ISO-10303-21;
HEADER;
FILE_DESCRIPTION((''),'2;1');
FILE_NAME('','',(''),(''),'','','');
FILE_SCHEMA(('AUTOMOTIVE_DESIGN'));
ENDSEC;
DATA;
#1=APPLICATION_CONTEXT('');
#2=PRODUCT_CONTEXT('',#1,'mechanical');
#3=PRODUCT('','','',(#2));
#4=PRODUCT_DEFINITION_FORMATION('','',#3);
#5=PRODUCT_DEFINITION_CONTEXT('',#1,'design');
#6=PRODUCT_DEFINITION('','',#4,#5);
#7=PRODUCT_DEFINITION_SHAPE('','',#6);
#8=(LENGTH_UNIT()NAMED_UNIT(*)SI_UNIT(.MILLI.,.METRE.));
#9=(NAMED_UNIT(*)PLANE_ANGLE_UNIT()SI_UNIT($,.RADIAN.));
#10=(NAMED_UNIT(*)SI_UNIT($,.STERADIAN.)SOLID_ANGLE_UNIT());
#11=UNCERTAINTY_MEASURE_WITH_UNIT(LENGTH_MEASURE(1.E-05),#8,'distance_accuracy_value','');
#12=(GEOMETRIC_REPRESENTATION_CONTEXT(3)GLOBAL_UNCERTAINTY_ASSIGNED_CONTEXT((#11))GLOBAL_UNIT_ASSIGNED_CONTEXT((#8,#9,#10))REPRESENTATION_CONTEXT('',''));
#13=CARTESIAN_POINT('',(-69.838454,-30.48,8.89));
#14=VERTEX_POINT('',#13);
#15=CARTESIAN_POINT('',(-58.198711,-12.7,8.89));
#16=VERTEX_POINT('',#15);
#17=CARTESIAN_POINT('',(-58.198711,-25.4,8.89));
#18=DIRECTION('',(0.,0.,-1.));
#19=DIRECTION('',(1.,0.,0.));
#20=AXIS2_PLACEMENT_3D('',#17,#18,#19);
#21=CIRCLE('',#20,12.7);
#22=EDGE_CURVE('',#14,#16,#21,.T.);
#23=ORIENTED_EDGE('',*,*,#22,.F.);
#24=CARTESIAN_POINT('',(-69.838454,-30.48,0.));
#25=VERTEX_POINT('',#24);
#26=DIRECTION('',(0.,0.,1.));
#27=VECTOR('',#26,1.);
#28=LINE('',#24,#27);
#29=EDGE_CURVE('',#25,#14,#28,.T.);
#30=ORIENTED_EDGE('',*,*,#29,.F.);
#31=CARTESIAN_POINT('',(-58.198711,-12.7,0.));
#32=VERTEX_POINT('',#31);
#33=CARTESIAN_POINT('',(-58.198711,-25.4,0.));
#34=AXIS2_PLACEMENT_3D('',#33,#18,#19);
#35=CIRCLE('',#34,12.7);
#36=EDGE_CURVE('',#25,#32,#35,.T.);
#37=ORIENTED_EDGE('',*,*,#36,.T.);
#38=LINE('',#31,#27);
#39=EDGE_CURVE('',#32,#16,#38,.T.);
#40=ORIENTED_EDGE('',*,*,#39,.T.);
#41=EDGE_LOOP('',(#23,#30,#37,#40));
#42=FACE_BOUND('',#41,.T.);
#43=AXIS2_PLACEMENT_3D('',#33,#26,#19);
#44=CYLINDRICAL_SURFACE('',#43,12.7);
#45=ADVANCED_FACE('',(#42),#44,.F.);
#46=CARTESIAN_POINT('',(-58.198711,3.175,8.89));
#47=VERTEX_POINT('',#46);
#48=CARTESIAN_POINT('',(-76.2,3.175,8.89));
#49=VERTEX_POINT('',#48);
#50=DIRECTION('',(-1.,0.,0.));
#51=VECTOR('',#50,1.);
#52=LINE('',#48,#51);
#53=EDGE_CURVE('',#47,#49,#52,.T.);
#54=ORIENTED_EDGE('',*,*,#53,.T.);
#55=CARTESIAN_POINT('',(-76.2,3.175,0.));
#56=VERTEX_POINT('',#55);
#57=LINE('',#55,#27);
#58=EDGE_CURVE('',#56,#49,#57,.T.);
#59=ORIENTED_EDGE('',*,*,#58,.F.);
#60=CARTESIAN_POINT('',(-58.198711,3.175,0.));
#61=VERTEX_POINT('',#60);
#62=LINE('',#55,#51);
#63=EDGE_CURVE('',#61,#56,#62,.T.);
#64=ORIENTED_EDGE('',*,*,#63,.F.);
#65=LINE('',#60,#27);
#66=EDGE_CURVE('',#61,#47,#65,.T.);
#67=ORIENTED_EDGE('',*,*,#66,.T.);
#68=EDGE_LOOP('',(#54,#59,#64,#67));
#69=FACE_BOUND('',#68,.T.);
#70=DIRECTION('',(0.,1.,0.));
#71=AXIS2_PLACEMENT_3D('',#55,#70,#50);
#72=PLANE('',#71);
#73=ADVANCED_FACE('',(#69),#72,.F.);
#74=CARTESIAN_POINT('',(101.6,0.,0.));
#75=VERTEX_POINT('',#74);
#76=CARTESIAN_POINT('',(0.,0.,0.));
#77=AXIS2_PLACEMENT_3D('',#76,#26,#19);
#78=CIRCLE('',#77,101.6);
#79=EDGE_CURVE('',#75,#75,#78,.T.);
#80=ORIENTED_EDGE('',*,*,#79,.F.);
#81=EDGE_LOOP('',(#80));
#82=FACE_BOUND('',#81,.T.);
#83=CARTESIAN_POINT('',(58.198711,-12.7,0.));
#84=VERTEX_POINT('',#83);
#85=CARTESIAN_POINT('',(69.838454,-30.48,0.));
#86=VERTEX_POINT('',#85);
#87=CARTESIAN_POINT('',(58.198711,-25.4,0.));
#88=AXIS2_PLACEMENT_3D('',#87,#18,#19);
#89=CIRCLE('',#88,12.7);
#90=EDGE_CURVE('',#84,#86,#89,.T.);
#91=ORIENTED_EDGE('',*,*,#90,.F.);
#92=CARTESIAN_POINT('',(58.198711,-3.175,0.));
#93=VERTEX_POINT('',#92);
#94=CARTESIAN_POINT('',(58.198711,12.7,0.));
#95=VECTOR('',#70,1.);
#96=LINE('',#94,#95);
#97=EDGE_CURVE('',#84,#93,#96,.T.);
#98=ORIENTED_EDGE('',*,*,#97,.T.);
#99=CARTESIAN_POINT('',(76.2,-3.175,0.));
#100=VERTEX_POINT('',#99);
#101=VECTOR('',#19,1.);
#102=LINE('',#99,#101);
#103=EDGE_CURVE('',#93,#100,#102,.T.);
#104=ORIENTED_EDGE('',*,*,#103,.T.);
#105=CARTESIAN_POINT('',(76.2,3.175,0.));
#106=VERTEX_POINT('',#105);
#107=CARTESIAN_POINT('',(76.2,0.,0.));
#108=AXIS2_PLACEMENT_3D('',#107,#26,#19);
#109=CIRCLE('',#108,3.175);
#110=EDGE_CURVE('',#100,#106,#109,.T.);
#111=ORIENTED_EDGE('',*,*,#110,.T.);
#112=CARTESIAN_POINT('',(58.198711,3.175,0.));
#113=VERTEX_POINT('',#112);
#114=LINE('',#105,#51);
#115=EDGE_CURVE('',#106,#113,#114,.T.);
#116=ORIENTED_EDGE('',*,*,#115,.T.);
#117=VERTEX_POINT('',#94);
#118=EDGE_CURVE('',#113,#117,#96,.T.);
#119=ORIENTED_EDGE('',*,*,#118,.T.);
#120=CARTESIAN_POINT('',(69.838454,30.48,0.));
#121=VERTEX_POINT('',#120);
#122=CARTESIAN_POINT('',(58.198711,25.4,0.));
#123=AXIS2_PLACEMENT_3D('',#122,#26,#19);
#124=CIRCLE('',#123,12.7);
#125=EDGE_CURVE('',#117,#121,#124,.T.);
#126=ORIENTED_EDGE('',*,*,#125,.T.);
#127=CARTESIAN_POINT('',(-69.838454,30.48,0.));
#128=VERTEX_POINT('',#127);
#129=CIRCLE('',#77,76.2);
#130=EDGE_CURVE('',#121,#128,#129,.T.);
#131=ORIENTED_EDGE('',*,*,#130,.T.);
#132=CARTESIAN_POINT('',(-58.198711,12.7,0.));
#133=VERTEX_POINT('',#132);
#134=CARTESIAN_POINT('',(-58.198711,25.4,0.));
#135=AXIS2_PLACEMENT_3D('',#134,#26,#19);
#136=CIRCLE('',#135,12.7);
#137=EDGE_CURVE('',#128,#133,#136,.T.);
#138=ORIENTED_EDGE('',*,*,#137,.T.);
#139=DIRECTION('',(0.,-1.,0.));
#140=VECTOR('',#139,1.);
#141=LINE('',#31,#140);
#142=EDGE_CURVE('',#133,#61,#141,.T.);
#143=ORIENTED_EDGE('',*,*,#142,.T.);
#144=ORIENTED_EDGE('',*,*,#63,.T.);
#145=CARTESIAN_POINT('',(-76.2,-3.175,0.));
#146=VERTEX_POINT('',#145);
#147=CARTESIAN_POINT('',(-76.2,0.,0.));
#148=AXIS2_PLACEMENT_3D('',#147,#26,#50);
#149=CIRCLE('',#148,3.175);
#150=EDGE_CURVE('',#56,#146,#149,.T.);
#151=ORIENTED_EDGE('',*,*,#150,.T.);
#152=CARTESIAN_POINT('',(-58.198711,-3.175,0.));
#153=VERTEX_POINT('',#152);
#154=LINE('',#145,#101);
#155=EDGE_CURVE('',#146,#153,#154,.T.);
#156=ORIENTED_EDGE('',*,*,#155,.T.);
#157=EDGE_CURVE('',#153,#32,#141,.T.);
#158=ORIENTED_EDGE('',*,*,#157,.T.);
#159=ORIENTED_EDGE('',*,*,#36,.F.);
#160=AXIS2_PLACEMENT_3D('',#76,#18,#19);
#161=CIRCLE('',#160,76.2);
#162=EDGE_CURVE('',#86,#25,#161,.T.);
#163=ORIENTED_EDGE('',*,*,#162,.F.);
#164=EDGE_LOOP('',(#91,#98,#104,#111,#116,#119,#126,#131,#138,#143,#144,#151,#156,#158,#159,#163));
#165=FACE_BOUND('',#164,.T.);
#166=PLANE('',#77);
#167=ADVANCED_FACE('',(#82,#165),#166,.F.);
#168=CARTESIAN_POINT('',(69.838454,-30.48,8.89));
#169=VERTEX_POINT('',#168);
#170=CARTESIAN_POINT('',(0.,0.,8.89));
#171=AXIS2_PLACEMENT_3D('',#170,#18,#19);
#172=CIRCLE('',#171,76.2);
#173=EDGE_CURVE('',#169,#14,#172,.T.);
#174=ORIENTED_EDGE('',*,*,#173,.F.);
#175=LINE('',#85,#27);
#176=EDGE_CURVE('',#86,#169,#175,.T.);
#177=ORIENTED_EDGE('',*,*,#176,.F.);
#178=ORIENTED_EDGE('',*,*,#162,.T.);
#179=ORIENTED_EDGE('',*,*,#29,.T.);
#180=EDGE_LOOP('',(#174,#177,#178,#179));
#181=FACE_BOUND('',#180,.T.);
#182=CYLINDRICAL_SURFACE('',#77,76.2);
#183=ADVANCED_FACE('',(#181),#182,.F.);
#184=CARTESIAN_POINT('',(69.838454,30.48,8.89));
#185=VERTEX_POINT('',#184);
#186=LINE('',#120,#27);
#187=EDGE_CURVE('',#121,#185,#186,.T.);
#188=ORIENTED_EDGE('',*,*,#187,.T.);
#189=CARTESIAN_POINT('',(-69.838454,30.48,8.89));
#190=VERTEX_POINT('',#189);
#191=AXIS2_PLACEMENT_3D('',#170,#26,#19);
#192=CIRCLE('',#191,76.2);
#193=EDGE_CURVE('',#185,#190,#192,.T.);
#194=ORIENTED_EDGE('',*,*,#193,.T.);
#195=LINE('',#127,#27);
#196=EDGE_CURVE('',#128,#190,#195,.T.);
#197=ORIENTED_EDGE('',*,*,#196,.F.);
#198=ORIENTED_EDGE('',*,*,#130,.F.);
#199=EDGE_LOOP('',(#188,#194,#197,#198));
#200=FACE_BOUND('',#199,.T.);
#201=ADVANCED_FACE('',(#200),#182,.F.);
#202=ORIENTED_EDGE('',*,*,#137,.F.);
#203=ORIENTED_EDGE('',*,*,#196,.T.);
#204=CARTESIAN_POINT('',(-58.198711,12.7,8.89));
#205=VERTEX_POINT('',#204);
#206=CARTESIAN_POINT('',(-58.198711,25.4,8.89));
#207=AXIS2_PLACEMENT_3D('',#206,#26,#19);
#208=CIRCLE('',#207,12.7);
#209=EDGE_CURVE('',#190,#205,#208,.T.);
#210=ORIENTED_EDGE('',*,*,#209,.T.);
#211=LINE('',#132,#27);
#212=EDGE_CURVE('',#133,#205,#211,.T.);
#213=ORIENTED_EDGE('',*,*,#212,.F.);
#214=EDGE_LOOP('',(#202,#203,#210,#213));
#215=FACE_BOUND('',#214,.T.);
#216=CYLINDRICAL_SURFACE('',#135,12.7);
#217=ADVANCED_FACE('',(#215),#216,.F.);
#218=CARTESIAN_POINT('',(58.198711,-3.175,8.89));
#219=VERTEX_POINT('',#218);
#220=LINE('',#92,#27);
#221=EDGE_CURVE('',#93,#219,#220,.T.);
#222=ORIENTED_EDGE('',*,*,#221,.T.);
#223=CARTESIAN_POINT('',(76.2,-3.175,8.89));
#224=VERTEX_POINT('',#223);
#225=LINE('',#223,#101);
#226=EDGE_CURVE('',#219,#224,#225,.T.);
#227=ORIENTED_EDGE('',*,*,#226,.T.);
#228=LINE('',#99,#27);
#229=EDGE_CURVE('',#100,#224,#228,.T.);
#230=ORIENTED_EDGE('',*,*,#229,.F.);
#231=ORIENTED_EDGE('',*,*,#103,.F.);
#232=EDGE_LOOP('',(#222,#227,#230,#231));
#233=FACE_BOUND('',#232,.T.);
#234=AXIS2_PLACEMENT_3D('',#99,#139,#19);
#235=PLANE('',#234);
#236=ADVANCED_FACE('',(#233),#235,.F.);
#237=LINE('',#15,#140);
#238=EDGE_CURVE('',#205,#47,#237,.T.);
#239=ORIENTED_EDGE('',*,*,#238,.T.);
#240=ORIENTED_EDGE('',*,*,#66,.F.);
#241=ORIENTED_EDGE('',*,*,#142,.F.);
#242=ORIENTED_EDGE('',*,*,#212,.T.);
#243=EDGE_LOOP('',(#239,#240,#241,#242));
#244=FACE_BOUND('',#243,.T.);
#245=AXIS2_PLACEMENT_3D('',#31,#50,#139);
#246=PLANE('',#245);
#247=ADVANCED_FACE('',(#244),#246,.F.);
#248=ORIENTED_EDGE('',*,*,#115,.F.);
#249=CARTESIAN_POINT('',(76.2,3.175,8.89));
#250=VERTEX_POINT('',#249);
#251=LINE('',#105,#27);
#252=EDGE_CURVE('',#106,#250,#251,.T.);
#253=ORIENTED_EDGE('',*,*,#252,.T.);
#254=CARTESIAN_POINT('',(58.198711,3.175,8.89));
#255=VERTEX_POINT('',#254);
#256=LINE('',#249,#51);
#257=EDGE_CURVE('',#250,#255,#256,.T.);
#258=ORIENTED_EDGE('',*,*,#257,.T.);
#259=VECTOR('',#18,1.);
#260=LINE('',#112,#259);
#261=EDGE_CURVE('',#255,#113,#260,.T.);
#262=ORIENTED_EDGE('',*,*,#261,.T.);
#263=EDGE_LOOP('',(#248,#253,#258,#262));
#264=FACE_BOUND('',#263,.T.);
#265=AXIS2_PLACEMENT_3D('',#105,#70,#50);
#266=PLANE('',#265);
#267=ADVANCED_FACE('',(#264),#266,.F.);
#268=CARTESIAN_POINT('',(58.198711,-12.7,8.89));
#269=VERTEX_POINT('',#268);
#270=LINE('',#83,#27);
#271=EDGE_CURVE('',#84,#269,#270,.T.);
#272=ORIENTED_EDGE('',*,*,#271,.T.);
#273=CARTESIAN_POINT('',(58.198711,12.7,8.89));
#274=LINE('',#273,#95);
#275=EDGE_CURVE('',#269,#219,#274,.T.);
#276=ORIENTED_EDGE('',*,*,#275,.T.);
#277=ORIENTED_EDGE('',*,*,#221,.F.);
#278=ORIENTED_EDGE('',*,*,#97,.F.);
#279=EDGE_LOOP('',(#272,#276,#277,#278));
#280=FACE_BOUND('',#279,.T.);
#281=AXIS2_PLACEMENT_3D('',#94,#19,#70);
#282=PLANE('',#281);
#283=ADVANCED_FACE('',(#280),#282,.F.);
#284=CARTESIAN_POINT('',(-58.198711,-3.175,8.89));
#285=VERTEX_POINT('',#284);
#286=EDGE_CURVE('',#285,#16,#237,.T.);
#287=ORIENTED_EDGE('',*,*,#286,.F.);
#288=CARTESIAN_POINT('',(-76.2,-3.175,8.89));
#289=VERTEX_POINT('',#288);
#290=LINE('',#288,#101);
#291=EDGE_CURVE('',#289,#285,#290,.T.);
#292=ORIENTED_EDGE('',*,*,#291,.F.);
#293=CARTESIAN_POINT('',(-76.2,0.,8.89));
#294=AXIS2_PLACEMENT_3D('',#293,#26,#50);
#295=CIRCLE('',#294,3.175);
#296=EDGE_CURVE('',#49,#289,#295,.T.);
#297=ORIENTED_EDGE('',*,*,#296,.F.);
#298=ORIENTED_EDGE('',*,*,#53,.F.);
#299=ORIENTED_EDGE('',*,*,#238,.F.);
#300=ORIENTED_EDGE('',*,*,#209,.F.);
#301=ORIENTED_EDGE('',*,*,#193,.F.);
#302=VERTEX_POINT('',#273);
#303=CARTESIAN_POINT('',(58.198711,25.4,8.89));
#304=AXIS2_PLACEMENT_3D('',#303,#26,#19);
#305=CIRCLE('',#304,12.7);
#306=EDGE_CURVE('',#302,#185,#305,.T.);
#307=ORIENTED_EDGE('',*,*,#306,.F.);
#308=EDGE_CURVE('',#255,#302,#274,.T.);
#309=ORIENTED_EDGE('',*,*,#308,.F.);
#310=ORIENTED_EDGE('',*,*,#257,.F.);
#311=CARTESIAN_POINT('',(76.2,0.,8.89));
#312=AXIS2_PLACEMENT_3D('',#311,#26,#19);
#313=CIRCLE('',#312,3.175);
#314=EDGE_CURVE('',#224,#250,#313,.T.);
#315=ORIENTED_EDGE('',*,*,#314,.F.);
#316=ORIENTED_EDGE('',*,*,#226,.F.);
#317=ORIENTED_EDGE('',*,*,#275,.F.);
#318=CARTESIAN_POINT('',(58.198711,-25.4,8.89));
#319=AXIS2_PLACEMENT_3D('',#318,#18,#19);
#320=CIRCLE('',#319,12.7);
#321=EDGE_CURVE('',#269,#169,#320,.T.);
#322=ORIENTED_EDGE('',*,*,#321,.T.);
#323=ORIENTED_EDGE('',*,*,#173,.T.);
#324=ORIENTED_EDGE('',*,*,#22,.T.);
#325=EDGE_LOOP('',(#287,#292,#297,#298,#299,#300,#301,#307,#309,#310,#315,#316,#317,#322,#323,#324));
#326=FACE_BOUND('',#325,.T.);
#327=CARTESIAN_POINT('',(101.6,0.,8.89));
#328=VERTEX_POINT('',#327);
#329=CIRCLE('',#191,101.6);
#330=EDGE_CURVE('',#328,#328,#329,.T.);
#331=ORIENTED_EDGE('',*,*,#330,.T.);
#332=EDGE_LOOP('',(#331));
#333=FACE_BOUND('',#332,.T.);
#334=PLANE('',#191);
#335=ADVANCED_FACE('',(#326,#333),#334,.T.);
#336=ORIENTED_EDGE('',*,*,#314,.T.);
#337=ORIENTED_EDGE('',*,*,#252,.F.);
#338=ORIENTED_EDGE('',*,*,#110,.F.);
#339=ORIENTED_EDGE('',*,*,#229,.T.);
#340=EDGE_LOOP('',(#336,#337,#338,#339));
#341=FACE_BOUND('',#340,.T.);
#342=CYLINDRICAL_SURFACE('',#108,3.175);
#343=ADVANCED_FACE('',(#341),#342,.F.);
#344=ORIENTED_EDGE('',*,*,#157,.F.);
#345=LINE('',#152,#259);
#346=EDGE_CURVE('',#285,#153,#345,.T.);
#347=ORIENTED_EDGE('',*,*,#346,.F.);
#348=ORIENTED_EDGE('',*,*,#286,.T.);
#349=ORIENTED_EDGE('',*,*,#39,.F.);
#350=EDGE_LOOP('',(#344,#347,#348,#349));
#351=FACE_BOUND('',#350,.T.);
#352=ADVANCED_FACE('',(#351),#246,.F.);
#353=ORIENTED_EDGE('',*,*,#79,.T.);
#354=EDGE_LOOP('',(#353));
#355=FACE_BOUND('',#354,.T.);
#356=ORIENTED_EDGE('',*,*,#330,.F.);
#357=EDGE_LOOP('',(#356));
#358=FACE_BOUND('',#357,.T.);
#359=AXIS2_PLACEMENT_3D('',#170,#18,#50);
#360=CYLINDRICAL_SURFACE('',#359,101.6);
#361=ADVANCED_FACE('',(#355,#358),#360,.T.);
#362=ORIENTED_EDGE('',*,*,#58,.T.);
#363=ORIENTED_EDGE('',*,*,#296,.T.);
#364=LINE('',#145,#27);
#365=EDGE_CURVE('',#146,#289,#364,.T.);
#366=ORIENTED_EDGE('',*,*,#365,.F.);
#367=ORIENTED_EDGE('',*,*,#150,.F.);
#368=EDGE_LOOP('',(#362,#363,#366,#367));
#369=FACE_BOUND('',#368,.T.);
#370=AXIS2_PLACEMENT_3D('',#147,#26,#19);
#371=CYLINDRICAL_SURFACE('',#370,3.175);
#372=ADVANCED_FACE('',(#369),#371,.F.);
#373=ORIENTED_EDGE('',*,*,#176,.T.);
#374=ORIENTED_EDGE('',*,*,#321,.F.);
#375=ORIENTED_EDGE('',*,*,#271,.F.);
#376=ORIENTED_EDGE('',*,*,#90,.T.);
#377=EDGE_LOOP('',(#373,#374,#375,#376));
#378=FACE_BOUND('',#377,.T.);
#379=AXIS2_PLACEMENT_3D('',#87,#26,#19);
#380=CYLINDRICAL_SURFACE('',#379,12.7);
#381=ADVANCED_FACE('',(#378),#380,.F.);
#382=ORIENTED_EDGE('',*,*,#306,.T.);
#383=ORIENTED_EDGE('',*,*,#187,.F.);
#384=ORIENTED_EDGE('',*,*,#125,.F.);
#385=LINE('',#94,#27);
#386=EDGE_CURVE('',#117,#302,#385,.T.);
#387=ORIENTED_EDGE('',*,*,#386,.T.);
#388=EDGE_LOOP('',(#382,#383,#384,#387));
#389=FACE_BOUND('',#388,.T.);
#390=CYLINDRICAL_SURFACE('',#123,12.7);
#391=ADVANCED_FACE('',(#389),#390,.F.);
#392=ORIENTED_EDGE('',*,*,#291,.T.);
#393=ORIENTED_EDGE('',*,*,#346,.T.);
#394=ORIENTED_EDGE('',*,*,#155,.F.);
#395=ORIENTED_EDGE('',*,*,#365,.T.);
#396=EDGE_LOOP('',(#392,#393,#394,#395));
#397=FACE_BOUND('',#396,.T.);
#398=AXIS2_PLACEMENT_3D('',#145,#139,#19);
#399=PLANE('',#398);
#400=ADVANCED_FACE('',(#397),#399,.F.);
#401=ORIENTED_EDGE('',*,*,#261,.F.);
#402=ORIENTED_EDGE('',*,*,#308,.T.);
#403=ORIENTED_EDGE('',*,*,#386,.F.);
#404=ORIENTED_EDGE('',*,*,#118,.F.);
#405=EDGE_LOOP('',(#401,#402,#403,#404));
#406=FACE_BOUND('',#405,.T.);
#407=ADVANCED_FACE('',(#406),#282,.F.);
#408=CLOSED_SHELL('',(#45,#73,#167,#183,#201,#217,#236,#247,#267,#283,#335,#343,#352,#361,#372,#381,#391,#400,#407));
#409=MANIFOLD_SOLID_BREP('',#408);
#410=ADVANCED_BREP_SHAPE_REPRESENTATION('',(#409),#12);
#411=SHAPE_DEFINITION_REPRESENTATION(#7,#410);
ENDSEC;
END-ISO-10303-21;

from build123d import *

# Parameters (mm, degrees)
SKETCH1_R           = 101.6
BOSS_EXTRUDE1_DEPTH = 8.89
SKETCH2_R           = 25.4
CUT_EXTRUDE1_DEPTH  = 144.95885558
CUT_EXTRUDE2_DEPTH  = 144.95885558
CUT_EXTRUDE3_DEPTH  = 144.95885558
CUT_EXTRUDE10_DEPTH = 144.95885558


with BuildPart() as part:
    # Sketch1 → Boss-Extrude1 (new body)
    with BuildSketch(Plane.XY):
        Circle(SKETCH1_R)
    extrude(amount=BOSS_EXTRUDE1_DEPTH)

    # Sketch2 → Cut-Extrude1 (cut, through all)
    with BuildSketch(Plane.XY.offset(8.89)):
        Circle(SKETCH2_R)
    extrude(amount=-CUT_EXTRUDE1_DEPTH, mode=Mode.SUBTRACT)

    # Sketch3 → Cut-Extrude2 (cut, through all)
    with BuildSketch(Plane.XY.offset(8.89)):
        with BuildLine():
            ThreePointArc((69.838453591, 30.48), (0, 76.2), (-69.838453591, 30.48))
            ThreePointArc((-69.838453591, 30.48), (-63.278711326, 13.760257735), (-46.558969061, 20.32))
            ThreePointArc((-46.558969061, 20.32), (0, 50.8), (46.558969061, 20.32))
            ThreePointArc((46.558969061, 20.32), (63.278711326, 13.760257735), (69.838453591, 30.48))
        make_face()
    cut_extrude2 = extrude(amount=-CUT_EXTRUDE2_DEPTH, mode=Mode.SUBTRACT)

    # Mirror1: Cut-Extrude2 across plane
    add(cut_extrude2.mirror(Plane.ZX), mode=Mode.SUBTRACT)

    # Sketch4 → Cut-Extrude3 (cut, through all)
    with BuildSketch(Plane.XY.offset(8.89)):
        with BuildLine():
            Line((76.2, -3.175), (25.4, -3.175))
            ThreePointArc((25.4, -3.175), (22.225, 0), (25.4, 3.175))
            Line((25.4, 3.175), (76.2, 3.175))
            ThreePointArc((76.2, 3.175), (79.375, 0), (76.2, -3.175))
        make_face()
        with BuildLine():
            Line((-76.2, -3.175), (-25.4, -3.175))
            ThreePointArc((-25.4, -3.175), (-22.225, 0), (-25.4, 3.175))
            Line((-25.4, 3.175), (-76.2, 3.175))
            ThreePointArc((-76.2, 3.175), (-79.375, 0), (-76.2, -3.175))
        make_face()
    extrude(amount=-CUT_EXTRUDE3_DEPTH, mode=Mode.SUBTRACT)

    # Sketch14 → Cut-Extrude10 (cut, through all)
    with BuildSketch(Plane.XY.offset(8.89)):
        with BuildLine():
            Line((-58.198711326, -12.7), (-58.198711326, 12.7))
            ThreePointArc((-58.198711326, 12.7), (-51.242634846, 14.774417663), (-46.558969061, 20.32))
            ThreePointArc((-46.558969061, 20.32), (0, 50.8), (46.558969061, 20.32))
            ThreePointArc((46.558969061, 20.32), (51.242634846, 14.774417663), (58.198711326, 12.7))
            Line((58.198711326, 12.7), (58.198711326, -12.7))
            ThreePointArc((58.198711326, -12.7), (51.242634846, -14.774417663), (46.558969061, -20.32))
            ThreePointArc((46.558969061, -20.32), (0, -50.8), (-46.558969061, -20.32))
            ThreePointArc((-46.558969061, -20.32), (-51.242634846, -14.774417663), (-58.198711326, -12.7))
        make_face()
    extrude(amount=-CUT_EXTRUDE10_DEPTH, mode=Mode.SUBTRACT)


solid = part.part
